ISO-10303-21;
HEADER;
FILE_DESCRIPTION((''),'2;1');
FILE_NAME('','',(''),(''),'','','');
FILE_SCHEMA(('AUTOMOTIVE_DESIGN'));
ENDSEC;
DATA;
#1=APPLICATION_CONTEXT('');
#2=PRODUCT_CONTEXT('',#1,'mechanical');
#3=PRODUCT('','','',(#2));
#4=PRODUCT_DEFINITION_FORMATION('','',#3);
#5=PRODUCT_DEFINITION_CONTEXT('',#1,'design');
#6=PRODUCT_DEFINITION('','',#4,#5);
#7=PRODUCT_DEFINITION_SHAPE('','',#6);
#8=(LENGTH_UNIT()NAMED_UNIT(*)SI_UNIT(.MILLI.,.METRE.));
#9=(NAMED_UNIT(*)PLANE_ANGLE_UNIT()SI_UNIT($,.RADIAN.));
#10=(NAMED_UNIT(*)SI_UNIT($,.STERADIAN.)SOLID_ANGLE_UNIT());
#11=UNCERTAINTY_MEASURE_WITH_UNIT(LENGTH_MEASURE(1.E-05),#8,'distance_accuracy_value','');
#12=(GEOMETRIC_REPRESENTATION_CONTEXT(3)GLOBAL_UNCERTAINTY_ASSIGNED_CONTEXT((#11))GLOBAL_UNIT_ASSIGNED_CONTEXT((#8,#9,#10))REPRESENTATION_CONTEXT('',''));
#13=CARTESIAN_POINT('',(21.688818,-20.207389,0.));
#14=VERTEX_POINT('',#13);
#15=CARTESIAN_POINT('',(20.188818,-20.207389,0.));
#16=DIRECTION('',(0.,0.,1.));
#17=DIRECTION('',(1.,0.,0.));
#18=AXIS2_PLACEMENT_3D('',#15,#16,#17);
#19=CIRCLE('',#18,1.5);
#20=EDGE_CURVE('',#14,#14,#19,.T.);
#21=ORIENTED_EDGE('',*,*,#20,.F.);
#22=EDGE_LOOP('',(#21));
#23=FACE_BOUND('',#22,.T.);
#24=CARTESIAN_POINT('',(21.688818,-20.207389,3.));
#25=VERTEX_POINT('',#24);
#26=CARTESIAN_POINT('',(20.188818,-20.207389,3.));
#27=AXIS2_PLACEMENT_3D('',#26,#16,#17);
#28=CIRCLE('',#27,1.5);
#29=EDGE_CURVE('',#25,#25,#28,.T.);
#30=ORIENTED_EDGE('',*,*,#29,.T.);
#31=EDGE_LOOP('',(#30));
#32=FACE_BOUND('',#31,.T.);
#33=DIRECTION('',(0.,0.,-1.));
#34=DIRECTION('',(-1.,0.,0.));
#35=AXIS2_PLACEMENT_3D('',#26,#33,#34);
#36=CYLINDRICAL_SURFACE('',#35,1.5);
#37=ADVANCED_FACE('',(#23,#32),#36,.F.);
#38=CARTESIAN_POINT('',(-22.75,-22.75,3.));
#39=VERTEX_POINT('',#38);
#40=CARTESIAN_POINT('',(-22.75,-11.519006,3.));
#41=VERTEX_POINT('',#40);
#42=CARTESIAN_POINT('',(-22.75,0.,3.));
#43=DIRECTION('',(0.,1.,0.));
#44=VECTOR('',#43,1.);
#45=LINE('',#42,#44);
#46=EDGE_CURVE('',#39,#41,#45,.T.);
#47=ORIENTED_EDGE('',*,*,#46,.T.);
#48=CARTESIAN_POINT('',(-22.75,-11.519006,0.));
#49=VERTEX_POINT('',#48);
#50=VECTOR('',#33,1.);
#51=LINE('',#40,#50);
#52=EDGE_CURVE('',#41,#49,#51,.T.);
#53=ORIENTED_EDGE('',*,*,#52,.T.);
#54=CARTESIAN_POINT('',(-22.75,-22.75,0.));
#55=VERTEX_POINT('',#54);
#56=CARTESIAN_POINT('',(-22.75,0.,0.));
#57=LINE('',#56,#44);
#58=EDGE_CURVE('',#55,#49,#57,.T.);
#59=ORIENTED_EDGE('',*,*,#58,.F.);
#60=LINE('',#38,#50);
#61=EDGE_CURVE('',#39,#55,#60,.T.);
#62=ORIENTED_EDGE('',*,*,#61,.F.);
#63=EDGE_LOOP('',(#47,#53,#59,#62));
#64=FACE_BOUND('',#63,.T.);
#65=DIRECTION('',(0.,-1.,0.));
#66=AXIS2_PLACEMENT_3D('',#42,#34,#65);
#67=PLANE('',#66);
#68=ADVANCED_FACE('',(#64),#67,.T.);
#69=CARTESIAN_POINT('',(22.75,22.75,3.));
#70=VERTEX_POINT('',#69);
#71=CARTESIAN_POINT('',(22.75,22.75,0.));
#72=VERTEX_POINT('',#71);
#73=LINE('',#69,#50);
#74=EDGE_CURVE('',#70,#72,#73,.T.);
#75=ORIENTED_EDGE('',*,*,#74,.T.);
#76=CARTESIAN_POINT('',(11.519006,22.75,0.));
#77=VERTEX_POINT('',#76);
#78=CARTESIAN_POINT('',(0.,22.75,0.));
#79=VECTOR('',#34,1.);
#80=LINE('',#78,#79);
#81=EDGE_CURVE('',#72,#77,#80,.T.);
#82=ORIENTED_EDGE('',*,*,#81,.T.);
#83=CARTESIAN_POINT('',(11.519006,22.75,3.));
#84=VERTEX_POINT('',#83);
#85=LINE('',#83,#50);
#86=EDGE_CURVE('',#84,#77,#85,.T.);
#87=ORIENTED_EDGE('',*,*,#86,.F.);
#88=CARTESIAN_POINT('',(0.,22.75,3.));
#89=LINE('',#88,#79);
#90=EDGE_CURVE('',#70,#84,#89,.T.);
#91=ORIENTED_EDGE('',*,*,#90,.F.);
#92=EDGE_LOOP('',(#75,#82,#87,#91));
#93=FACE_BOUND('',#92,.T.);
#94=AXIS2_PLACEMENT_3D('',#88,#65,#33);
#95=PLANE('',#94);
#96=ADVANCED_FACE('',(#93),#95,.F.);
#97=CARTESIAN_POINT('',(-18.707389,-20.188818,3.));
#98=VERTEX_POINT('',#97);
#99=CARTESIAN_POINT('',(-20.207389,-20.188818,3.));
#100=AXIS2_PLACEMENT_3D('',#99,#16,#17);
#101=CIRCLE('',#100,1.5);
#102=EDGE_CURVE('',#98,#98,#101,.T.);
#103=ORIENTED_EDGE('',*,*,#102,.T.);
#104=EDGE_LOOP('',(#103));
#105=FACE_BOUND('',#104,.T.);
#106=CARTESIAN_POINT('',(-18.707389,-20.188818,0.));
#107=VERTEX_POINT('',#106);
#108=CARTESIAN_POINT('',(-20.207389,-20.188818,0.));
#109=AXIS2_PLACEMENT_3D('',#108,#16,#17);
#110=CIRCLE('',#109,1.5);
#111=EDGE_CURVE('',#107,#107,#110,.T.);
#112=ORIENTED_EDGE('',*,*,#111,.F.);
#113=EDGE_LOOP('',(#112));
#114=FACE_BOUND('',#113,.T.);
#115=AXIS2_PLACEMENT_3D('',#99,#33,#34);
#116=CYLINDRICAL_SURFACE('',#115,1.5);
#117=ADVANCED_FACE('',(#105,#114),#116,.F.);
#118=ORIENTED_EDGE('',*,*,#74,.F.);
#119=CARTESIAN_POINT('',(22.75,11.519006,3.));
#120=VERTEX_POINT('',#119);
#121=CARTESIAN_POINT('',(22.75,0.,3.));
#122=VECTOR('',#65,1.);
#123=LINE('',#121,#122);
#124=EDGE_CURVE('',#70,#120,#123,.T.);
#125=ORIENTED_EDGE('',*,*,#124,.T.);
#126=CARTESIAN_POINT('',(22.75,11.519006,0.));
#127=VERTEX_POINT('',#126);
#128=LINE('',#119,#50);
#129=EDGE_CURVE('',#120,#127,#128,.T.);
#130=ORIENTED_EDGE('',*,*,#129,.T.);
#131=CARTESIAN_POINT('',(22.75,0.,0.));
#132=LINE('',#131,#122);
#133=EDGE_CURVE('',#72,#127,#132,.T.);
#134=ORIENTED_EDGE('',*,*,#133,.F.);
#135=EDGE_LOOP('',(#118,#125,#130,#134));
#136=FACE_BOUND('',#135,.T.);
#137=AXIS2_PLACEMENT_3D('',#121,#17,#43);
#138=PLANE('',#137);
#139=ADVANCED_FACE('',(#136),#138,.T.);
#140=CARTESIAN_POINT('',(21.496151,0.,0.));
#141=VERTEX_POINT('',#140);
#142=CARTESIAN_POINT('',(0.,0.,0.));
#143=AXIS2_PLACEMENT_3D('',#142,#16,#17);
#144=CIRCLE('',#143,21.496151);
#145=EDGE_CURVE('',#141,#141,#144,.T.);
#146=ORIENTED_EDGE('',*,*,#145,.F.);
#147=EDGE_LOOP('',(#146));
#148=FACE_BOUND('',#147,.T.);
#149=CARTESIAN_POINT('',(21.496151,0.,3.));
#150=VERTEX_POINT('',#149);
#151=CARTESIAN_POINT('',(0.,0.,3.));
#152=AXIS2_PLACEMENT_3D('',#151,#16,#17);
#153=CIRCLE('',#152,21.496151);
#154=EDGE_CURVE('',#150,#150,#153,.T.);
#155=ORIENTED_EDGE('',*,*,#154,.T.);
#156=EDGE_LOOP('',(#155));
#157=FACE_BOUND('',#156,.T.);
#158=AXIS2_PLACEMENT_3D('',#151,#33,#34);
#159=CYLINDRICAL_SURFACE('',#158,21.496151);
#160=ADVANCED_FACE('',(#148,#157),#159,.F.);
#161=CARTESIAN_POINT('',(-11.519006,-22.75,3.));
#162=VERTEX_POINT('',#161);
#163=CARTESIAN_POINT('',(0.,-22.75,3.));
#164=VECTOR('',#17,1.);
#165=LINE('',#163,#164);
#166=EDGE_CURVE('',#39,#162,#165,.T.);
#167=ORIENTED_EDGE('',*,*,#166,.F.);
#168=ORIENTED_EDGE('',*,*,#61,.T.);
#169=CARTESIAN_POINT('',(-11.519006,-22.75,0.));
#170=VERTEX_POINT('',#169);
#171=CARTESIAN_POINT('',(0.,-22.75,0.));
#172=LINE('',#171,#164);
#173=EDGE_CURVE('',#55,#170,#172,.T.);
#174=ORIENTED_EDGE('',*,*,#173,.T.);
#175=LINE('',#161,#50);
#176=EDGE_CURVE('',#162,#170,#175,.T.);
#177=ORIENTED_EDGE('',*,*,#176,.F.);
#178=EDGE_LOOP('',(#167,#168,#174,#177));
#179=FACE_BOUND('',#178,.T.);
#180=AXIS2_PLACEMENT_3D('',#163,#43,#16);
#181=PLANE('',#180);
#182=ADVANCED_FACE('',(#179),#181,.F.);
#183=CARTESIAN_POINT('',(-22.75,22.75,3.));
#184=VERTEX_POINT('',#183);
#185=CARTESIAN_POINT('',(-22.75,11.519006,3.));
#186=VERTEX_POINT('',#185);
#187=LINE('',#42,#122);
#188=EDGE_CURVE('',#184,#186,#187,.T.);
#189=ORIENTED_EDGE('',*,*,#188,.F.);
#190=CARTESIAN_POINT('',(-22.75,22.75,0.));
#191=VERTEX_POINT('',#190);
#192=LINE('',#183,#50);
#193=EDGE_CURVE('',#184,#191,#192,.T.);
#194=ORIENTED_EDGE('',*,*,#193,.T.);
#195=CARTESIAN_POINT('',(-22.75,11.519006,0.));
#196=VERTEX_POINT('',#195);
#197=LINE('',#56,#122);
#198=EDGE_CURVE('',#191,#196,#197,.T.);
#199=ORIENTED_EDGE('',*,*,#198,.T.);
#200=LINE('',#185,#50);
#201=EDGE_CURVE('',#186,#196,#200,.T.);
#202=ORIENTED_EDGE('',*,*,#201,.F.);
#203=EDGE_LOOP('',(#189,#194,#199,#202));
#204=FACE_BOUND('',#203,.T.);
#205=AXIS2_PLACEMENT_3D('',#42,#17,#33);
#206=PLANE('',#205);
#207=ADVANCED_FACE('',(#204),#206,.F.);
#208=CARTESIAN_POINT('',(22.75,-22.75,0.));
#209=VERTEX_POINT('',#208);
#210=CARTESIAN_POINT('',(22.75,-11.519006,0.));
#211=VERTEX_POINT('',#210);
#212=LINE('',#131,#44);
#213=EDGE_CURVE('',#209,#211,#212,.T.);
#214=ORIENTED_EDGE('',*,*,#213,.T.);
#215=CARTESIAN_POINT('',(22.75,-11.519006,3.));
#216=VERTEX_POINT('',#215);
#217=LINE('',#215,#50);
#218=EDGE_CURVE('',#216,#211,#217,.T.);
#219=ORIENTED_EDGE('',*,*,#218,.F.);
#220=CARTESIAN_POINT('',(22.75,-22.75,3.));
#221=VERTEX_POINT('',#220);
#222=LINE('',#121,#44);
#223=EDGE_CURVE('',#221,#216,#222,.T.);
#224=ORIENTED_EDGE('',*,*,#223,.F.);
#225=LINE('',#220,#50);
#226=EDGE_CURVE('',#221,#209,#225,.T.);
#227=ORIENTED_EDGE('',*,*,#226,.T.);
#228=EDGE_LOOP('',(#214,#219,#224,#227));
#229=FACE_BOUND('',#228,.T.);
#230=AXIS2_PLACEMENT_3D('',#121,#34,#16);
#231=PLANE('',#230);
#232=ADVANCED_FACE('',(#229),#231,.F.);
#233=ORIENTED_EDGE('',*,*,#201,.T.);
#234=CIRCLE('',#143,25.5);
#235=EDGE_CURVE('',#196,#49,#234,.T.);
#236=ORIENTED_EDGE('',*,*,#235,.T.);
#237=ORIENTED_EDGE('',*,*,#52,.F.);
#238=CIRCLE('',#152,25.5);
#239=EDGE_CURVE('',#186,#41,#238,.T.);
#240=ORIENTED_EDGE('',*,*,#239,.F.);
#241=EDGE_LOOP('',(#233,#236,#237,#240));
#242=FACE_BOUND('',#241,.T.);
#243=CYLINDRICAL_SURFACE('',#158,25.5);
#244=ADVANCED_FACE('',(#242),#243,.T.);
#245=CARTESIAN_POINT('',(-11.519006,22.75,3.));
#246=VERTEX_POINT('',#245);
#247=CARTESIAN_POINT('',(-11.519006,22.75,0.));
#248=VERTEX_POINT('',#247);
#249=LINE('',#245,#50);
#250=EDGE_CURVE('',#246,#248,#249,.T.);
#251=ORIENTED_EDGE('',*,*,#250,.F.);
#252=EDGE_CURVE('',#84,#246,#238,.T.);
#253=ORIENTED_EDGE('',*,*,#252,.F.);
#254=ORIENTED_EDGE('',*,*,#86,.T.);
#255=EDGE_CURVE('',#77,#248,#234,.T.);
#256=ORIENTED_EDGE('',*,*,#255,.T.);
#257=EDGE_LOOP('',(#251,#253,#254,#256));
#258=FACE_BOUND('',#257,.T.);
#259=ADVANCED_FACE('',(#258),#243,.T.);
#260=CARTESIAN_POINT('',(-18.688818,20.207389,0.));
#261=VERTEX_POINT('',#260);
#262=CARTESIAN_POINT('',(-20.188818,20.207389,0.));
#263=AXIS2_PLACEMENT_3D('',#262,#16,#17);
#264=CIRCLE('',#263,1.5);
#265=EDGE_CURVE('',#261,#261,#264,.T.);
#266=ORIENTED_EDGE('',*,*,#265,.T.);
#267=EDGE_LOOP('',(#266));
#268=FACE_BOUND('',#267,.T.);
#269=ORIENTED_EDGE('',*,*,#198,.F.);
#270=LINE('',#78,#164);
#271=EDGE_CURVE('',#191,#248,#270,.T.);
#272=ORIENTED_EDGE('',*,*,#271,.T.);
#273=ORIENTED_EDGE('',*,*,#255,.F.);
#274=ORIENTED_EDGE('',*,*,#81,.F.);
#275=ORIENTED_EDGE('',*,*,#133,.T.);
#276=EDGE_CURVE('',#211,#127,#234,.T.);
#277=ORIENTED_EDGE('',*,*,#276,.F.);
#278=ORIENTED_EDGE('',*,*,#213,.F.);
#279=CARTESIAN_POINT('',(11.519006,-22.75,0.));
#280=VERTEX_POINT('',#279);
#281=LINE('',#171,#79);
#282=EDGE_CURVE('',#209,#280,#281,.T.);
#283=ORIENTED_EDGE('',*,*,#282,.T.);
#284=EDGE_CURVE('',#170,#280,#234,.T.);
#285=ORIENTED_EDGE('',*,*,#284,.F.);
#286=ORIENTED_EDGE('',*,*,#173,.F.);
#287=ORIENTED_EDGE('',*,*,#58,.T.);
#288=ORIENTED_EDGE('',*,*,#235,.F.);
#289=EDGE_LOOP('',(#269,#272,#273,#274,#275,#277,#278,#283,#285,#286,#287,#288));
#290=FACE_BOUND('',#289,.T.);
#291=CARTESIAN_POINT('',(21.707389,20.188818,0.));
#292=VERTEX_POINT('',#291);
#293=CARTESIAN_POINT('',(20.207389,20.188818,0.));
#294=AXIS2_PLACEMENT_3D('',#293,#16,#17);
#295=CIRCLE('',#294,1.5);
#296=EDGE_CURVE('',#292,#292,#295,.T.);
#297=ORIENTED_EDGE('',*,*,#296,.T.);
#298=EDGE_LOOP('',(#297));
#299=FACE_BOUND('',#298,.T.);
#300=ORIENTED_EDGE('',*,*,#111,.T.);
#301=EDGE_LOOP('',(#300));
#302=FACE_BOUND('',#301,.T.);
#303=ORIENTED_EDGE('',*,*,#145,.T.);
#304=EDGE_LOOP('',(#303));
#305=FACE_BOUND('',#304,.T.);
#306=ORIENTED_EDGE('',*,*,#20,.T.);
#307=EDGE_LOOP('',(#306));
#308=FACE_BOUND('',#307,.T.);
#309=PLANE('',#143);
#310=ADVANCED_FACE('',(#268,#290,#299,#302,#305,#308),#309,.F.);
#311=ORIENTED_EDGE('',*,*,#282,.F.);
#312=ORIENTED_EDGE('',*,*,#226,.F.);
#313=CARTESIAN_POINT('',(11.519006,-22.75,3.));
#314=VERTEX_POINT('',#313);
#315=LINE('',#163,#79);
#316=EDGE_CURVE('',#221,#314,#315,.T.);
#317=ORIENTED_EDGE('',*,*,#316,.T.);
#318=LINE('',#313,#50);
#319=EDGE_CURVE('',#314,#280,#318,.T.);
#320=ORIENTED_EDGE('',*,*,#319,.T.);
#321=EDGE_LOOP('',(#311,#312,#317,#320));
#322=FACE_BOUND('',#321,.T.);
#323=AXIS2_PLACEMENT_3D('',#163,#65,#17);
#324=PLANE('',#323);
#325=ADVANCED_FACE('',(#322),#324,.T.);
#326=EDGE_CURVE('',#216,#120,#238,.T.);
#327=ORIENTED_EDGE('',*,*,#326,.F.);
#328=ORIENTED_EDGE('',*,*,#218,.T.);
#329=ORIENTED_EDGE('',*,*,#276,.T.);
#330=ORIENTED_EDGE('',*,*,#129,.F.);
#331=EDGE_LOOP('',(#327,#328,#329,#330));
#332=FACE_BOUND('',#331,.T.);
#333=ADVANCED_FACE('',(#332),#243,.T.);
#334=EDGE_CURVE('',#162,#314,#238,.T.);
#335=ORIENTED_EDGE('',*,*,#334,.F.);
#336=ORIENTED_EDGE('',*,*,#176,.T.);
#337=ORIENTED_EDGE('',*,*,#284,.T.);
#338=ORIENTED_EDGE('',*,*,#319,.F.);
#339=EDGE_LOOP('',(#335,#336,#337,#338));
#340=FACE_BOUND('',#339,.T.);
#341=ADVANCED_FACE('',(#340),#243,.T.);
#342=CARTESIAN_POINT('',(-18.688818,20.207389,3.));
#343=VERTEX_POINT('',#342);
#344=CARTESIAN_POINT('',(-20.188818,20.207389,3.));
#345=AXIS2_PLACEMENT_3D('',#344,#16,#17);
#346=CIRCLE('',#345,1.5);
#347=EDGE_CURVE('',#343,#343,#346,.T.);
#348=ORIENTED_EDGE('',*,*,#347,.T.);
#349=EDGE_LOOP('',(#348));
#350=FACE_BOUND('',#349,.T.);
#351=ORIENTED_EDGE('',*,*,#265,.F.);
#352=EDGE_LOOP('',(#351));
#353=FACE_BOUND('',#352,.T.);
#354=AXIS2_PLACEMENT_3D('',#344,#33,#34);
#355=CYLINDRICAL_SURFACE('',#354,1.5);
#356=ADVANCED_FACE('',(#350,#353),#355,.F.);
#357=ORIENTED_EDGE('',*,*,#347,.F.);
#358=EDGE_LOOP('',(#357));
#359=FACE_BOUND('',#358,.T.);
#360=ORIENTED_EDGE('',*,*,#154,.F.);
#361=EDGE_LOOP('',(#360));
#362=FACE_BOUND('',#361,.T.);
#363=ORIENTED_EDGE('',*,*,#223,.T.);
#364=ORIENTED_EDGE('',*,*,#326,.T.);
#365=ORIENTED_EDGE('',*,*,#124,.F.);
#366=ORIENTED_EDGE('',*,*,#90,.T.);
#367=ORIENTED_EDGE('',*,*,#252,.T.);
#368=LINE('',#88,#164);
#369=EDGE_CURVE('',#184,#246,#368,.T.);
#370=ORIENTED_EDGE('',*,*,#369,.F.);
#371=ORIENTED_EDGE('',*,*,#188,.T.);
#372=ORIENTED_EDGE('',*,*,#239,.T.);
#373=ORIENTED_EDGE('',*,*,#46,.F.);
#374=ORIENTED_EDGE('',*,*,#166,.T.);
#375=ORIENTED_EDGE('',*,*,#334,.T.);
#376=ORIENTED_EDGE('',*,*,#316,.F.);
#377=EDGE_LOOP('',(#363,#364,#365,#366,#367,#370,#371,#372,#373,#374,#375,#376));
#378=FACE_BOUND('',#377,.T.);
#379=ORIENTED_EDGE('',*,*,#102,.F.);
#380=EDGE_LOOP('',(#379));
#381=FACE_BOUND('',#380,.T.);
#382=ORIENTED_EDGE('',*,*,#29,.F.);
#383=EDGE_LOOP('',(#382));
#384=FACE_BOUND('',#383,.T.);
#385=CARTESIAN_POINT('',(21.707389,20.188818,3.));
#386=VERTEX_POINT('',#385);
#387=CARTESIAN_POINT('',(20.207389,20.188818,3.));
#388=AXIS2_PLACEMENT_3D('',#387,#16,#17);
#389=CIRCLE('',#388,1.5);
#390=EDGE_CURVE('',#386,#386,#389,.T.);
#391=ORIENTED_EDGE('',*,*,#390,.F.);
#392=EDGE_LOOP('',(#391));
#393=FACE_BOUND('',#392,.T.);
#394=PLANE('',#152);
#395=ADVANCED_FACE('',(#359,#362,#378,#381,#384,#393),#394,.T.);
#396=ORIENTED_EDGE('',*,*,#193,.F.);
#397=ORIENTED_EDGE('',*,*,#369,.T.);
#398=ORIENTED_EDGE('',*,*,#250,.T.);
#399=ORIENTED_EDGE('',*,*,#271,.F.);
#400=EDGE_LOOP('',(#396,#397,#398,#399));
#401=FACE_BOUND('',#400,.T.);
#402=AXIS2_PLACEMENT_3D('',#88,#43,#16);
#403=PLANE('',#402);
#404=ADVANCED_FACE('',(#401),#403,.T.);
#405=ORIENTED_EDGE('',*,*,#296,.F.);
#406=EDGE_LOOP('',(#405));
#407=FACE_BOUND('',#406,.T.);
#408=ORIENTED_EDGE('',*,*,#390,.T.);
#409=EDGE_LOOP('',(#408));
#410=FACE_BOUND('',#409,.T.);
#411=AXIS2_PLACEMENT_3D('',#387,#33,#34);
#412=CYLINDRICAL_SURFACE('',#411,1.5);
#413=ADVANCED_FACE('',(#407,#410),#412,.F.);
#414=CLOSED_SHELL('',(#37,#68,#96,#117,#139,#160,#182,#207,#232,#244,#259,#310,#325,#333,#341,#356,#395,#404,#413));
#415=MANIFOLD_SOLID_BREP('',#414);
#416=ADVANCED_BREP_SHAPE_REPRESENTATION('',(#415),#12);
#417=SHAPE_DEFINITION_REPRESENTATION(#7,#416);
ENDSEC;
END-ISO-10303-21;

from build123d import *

# Parameters (mm, degrees)
SKETCH1_R           = 1.5
SKETCH1_R_2         = 21.49615086
BOSS_EXTRUDE1_DEPTH = 3


with BuildPart() as part:
    # Sketch1 → Boss-Extrude1 (new body)
    # profile 1 of 2: a face of its own
    with BuildSketch(Plane.XY):
        with BuildLine():
            Line((22.75, -22.75), (22.75, -11.519006034))
            ThreePointArc((22.75, -11.519006034), (25.5, 0), (22.75, 11.519006034))
            Line((22.75, 11.519006034), (22.75, 22.75))
            Line((22.75, 22.75), (11.519006034, 22.75))
            ThreePointArc((11.519006034, 22.75), (0, 25.5), (-11.519006034, 22.75))
            Line((-11.519006034, 22.75), (-22.75, 22.75))
            Line((-22.75, 22.75), (-22.75, 11.519006034))
            ThreePointArc((-22.75, 11.519006034), (-18.03122292, -18.03122292), (11.519006034, -22.75))
            Line((11.519006034, -22.75), (22.75, -22.75))
        make_face()
        with Locations((20.207389371, 20.188817575)):
            Circle(SKETCH1_R, mode=Mode.SUBTRACT)
        with Locations((-20.188817575, 20.207389371)):
            Circle(SKETCH1_R, mode=Mode.SUBTRACT)
        with Locations((20.188817575, -20.207389371)):
            Circle(SKETCH1_R, mode=Mode.SUBTRACT)
        Circle(SKETCH1_R_2, mode=Mode.SUBTRACT)
    # profile 2 of 2: a face of its own
    with BuildSketch(Plane.XY):
        with BuildLine():
            Line((-22.75, -22.75), (-11.519006034, -22.75))
            ThreePointArc((-11.519006034, -22.75), (-18.03122292, -18.03122292), (-22.75, -11.519006034))
            Line((-22.75, -11.519006034), (-22.75, -22.75))
        make_face()
        with Locations((-20.207389371, -20.188817575)):
            Circle(SKETCH1_R, mode=Mode.SUBTRACT)
    extrude(amount=BOSS_EXTRUDE1_DEPTH)


solid = part.part
